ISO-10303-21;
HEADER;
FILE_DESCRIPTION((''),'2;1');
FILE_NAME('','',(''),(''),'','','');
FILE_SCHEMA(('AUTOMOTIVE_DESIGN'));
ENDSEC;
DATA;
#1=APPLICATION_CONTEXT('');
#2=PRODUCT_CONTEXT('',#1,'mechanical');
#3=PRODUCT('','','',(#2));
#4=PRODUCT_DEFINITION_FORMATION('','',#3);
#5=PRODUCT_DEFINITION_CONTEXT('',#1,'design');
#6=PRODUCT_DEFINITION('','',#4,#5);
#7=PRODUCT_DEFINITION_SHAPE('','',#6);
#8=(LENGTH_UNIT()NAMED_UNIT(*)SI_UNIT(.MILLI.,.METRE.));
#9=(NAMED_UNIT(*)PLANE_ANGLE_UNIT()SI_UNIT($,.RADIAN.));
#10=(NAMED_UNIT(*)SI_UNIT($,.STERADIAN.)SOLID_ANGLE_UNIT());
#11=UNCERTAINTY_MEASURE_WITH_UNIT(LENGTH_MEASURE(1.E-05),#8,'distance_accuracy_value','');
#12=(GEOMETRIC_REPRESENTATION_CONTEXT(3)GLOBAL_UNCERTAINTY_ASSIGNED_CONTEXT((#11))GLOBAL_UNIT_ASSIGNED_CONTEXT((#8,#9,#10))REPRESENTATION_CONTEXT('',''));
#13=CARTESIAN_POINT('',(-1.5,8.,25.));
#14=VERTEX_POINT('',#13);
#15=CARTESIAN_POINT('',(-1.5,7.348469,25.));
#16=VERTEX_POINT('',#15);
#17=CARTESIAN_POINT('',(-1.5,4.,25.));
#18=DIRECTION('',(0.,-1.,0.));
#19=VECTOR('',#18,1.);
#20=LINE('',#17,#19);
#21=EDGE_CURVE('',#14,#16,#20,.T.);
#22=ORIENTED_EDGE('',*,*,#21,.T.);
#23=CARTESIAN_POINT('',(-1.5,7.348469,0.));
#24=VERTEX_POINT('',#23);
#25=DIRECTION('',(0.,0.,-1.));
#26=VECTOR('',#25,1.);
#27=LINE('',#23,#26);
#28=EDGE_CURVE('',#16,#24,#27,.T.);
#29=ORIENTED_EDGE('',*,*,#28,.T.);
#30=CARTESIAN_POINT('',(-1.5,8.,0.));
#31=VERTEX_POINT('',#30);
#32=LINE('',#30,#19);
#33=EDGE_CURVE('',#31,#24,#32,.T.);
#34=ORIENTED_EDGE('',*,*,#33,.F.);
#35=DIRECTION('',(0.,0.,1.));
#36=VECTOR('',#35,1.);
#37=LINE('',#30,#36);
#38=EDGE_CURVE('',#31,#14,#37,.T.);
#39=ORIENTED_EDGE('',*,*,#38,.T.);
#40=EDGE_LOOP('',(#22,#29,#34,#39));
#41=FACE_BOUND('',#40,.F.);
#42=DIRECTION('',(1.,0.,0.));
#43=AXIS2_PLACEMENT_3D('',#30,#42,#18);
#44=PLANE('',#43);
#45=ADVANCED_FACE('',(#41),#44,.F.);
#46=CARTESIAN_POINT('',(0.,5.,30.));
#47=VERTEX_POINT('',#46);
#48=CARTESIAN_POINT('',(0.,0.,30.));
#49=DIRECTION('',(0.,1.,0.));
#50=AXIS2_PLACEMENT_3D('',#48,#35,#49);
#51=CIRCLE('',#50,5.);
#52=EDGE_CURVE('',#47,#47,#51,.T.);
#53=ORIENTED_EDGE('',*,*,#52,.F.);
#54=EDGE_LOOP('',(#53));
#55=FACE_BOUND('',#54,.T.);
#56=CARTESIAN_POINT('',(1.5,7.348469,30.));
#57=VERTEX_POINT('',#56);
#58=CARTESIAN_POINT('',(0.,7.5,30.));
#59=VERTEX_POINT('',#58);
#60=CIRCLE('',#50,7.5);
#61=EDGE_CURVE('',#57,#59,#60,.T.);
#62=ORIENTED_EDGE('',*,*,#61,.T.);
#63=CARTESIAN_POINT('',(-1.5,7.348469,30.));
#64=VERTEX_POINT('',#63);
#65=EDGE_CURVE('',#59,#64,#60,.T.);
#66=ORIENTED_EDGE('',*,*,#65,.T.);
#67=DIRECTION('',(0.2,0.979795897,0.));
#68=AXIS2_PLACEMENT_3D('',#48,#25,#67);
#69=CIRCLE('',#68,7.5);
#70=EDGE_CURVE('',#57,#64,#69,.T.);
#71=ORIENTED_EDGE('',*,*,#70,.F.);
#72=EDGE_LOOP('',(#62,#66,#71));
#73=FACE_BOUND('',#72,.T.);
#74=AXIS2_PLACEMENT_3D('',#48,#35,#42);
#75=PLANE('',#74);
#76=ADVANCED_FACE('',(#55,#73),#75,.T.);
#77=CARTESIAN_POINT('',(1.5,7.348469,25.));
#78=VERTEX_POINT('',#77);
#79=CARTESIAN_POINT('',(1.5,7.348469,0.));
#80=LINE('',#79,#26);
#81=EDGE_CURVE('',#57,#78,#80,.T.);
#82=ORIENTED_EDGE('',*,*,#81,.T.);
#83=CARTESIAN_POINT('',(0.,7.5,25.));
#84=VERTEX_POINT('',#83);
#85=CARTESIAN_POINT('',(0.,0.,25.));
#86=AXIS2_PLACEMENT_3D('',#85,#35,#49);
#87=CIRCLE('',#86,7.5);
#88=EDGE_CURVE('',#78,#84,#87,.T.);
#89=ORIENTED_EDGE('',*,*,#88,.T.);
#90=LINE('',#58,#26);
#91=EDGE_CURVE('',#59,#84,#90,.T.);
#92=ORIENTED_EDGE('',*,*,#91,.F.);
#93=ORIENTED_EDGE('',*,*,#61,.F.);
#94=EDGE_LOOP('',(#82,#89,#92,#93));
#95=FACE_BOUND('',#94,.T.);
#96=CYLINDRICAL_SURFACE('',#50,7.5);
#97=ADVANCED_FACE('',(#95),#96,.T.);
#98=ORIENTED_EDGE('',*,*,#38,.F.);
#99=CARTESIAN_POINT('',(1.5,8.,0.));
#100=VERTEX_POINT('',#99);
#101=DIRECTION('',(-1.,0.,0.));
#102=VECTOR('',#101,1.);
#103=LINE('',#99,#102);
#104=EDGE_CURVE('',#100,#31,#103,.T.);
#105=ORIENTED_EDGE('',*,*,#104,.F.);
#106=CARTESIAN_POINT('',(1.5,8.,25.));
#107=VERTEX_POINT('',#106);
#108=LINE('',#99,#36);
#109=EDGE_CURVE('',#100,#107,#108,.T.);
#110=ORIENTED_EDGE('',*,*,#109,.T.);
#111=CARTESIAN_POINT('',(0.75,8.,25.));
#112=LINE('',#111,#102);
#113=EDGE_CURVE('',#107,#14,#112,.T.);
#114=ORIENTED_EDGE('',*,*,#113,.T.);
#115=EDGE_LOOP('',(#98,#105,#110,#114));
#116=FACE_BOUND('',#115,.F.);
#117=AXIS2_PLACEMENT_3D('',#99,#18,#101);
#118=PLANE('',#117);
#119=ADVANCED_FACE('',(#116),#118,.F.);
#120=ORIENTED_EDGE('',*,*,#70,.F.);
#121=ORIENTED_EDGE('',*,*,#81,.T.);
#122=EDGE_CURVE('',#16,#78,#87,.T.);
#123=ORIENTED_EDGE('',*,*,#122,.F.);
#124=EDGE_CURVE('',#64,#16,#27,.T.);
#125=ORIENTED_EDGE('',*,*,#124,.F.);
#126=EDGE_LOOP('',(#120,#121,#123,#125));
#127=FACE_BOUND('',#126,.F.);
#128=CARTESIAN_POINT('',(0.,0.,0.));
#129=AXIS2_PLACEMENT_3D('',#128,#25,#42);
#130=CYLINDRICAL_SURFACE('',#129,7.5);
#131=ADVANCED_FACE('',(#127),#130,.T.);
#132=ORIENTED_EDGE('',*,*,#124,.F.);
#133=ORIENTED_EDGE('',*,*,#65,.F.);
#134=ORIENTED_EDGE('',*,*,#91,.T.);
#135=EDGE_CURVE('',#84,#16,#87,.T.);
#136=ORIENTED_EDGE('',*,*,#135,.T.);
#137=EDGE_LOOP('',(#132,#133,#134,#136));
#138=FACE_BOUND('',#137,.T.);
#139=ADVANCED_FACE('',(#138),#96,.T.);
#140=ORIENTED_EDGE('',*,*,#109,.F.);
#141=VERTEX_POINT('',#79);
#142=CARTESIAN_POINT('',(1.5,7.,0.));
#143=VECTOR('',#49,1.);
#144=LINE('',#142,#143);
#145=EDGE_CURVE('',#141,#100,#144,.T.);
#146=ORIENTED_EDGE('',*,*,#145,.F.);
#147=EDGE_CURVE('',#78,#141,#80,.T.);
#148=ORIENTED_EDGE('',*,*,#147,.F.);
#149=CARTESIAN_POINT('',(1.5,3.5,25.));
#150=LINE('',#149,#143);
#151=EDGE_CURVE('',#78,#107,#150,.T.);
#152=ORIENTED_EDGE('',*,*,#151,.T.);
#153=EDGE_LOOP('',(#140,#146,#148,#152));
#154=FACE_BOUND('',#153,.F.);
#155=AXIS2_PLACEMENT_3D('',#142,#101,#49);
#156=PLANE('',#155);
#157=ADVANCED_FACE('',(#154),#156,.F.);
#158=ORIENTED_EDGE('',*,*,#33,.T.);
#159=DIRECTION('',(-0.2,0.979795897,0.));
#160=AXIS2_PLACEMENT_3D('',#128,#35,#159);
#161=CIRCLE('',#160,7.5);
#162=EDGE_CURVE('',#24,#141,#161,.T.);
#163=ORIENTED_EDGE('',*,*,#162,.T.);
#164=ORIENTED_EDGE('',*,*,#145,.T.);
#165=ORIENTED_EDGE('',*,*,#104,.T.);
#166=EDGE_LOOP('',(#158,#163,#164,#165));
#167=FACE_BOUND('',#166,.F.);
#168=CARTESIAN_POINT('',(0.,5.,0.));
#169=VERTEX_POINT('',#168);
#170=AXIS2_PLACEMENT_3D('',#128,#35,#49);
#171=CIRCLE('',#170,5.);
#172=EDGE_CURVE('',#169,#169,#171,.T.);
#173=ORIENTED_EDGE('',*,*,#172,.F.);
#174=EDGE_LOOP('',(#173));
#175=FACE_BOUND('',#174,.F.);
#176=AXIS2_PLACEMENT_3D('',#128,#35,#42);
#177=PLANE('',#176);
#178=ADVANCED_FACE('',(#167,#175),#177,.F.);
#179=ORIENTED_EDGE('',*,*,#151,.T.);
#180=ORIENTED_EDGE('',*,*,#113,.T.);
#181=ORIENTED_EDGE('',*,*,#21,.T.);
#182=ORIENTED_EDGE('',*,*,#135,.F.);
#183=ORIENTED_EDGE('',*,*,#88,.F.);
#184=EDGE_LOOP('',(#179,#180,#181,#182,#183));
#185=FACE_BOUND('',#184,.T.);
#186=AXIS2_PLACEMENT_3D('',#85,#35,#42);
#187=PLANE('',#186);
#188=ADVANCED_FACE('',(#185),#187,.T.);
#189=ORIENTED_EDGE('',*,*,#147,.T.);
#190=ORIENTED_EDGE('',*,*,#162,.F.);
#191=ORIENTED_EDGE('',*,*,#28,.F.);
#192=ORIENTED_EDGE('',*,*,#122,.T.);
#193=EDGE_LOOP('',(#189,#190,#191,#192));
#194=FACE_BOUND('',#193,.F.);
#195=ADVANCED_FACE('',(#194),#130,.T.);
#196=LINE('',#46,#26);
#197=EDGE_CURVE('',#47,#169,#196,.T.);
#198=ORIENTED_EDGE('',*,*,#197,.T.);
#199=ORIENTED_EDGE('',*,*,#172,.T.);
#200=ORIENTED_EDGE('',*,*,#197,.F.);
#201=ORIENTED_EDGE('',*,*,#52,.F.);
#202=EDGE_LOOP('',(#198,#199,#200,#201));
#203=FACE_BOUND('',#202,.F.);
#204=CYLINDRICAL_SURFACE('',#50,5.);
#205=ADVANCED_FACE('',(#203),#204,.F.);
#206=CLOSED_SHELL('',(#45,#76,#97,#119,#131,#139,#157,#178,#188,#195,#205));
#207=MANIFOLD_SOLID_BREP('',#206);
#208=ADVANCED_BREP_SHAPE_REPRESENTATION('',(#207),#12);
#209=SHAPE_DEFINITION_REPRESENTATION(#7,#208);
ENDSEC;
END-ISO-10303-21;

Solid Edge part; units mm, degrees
sketch "Sketch1" plane through (0, 0, 0) normal (0, 0, 1) x (1, 0, 0)
  line L0 (1.5, 8) -> (-1.5, 8)
  line L1 (-1.5, 8) -> (-1.5, 7)
  line L2 (-1.5, 7) -> (1.5, 7)
  line L3 (1.5, 7) -> (1.5, 8)
  circle A0 centre (0, 0) radius 7.5
  dimension "D1" = 6.5
  dimension "D2" = 1
  dimension "D3" = 3
extrude "Protrusion1" add sketch "Sketch1" along normal blind 30
sketch "Sketch2" plane through (0, 0, 30) normal (0, 0, 1) x (0, 1, 0)
  circle A0 centre (0, 0) radius 9
  circle A1 centre (0, 0) radius 7.5
  dimension "D1" = 18
  dimension "D2" = 15
extrude "ExtrudedCutout_3" cut sketch "Sketch2" against normal blind 5
sketch "Sketch3" plane through (0, -0.5, 30) normal (0, 0, 1) x (0, 1, 0)
  circle A0 centre (0.5, 0) radius 5
  dimension "D1" = 10
extrude "Cutout1" cut sketch "Sketch3" against normal up to next
extrude "ExtrudedCutout_7" [suppressed]
properties material "Stainless steel"
